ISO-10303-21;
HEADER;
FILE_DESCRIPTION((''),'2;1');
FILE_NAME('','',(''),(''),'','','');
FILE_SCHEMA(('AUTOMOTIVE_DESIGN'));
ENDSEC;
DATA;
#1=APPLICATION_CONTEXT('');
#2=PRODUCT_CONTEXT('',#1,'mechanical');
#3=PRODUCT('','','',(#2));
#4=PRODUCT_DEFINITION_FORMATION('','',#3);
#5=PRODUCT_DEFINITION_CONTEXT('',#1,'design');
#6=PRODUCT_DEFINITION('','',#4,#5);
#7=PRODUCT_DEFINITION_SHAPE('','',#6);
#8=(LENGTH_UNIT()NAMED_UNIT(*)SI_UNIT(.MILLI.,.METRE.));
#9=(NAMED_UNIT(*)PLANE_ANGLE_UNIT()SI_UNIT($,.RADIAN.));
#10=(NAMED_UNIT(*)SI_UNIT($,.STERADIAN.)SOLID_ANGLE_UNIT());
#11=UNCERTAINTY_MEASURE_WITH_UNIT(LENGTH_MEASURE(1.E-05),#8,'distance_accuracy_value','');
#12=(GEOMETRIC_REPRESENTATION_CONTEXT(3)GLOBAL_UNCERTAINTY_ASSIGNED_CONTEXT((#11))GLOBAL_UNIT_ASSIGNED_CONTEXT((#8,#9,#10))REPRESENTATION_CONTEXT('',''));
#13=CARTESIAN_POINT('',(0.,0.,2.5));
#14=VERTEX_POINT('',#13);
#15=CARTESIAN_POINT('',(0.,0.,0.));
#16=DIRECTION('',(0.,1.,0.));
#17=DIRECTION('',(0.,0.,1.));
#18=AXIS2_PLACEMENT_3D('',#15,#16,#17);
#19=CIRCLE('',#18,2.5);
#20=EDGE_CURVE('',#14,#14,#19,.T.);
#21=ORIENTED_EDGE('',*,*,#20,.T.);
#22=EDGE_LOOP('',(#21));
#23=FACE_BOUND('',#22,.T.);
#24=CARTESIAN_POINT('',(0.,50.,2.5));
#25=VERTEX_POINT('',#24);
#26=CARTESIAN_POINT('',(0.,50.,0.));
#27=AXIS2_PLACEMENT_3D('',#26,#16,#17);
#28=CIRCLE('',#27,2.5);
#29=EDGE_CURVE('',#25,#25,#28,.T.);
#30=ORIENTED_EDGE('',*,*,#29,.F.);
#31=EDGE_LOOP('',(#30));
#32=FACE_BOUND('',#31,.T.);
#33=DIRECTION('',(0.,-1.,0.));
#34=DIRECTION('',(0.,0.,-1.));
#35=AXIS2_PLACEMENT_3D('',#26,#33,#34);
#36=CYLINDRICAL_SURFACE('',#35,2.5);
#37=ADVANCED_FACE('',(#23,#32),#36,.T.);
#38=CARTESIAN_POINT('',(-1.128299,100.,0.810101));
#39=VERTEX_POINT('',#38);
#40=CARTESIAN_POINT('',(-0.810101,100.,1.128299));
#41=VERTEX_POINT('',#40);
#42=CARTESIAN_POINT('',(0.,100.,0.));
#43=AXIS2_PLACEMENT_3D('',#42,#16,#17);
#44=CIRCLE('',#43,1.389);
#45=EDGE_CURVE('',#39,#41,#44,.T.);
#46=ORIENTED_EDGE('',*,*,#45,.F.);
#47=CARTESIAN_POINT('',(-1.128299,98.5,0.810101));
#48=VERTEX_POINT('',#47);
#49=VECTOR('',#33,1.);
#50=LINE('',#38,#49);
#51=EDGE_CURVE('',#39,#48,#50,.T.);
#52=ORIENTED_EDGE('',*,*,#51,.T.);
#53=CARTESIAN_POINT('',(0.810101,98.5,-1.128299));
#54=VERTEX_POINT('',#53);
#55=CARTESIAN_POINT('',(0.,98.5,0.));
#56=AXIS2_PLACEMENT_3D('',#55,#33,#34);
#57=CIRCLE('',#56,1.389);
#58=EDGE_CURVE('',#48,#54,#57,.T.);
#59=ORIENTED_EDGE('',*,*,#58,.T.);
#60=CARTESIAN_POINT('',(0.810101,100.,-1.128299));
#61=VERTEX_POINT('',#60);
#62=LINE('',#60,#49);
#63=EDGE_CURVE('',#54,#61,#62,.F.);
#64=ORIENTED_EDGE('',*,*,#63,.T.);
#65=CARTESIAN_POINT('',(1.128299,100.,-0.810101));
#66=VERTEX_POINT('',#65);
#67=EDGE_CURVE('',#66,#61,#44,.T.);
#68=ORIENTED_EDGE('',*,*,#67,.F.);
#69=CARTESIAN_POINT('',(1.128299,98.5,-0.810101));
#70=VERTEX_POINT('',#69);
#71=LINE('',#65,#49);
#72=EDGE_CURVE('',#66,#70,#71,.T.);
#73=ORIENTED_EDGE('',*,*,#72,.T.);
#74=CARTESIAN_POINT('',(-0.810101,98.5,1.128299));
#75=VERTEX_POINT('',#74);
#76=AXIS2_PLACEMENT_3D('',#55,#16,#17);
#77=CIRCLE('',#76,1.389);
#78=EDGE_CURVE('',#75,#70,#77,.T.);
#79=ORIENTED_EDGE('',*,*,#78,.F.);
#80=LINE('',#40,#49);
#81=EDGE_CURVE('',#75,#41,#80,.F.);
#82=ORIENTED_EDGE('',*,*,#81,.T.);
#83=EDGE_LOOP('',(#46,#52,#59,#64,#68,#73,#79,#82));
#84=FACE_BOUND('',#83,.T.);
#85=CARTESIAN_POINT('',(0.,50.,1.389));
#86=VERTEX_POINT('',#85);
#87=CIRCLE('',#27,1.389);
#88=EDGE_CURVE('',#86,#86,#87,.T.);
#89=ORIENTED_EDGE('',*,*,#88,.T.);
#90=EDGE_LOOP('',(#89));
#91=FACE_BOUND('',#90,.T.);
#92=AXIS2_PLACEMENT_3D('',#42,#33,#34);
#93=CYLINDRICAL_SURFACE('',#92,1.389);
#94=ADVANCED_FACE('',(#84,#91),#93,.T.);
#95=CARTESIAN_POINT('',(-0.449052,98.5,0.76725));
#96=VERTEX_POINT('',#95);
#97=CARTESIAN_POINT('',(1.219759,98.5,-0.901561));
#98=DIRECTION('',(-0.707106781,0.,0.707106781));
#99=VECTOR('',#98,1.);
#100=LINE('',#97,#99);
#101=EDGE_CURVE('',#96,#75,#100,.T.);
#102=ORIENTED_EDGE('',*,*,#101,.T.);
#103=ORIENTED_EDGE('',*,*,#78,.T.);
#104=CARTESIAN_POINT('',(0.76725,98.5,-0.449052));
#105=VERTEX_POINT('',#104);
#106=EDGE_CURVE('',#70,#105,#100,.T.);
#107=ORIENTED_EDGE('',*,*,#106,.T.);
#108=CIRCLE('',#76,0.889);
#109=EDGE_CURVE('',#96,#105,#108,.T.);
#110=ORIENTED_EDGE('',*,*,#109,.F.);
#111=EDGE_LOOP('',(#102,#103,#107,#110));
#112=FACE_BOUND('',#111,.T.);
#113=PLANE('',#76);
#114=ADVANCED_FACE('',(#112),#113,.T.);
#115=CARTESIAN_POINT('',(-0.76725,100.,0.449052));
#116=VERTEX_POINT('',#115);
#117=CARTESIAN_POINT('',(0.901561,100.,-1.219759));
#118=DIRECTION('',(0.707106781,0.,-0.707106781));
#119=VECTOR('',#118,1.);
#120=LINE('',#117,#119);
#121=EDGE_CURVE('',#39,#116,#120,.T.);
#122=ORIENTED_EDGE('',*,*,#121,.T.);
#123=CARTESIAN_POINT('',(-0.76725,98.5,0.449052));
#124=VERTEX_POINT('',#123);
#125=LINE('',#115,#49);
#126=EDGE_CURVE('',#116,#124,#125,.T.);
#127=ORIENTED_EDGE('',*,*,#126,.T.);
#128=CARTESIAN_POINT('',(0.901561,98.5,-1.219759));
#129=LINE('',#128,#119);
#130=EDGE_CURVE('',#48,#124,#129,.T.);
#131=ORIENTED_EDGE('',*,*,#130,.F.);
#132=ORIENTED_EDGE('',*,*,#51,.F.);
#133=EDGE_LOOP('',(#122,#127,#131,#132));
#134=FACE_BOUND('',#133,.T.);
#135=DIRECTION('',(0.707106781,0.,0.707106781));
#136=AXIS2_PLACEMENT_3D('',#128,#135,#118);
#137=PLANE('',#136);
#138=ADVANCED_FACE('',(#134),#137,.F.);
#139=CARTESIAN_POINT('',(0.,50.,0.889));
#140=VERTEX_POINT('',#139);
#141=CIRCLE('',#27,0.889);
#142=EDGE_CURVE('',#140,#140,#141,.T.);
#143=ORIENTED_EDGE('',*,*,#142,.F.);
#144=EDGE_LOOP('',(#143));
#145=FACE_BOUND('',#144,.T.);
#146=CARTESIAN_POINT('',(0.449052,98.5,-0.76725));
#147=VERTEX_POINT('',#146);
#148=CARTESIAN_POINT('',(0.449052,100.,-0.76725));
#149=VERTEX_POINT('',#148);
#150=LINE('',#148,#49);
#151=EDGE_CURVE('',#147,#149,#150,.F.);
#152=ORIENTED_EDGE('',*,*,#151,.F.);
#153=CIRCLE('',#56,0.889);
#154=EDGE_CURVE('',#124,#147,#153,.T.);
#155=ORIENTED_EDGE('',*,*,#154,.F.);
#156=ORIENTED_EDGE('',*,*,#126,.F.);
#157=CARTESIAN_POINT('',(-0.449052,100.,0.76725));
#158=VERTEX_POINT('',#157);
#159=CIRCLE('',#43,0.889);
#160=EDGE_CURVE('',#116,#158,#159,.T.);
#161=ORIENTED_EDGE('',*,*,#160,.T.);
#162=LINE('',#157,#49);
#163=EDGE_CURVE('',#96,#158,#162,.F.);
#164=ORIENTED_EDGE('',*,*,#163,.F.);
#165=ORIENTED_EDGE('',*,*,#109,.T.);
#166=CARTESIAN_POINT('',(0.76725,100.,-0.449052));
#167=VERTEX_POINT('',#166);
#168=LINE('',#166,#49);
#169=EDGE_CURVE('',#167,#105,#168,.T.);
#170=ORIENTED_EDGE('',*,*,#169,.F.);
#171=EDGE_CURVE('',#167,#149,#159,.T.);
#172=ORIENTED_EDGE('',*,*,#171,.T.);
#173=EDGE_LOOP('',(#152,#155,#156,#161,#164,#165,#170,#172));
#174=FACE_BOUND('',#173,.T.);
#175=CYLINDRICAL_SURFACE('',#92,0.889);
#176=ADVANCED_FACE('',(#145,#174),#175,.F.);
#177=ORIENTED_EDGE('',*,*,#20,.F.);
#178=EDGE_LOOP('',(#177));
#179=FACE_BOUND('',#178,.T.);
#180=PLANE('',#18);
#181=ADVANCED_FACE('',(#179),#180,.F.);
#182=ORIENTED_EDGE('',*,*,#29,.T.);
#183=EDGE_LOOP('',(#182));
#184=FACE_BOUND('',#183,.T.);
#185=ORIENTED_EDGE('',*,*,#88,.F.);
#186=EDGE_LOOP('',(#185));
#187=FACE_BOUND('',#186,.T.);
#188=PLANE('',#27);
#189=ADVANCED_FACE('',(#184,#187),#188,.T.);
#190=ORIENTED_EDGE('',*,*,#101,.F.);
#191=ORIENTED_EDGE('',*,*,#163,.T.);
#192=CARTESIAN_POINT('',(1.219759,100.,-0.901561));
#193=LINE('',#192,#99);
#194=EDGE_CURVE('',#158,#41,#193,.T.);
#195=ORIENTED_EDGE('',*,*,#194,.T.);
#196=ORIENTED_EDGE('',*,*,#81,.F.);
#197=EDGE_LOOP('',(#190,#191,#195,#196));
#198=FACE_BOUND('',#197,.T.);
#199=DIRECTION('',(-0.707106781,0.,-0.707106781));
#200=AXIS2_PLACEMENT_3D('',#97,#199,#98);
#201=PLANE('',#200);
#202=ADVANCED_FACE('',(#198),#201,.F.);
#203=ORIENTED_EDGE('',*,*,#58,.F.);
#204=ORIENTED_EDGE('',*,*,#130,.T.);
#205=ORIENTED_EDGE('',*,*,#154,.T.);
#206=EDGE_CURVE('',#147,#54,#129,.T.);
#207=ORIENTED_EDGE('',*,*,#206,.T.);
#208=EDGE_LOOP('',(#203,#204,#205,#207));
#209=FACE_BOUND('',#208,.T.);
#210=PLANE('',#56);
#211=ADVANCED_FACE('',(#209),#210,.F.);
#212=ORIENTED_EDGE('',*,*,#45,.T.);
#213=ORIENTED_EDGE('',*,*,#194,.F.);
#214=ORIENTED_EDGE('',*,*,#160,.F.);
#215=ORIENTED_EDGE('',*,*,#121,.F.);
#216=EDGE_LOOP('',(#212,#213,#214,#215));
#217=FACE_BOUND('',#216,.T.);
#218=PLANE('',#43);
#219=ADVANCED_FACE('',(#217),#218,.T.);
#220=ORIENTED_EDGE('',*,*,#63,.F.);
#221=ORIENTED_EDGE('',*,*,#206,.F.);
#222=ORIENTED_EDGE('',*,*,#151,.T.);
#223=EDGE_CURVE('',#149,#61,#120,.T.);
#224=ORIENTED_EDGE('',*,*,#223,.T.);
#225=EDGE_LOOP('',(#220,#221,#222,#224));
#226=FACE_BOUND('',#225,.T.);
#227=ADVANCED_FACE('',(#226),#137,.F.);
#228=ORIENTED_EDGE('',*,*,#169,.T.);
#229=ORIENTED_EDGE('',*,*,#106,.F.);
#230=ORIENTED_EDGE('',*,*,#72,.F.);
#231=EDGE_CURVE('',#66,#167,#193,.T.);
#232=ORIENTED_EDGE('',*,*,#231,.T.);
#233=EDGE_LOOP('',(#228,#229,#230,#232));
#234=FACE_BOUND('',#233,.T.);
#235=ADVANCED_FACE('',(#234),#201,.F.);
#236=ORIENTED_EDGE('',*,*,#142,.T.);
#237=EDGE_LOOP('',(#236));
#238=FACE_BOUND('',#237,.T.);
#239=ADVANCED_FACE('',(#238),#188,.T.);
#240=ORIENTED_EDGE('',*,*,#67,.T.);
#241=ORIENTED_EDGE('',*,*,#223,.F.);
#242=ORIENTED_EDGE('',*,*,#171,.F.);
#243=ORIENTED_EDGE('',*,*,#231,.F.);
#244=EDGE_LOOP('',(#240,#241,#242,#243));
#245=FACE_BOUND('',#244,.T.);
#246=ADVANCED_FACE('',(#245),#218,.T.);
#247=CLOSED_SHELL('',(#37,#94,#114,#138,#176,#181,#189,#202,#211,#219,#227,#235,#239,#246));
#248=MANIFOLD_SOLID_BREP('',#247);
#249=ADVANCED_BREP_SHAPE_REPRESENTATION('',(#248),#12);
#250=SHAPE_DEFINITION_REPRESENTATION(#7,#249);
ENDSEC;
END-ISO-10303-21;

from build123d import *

# Parameters (mm, degrees)
SKETCH1_R           = 1.389
SKETCH1_R_2         = 0.889
BOSS_EXTRUDE1_DEPTH = 100
SKETCH2_R           = 2.5
BOSS_EXTRUDE2_DEPTH = 50
CUT_EXTRUDE1_DEPTH  = 1.5


with BuildPart() as part:
    # Sketch1 → Boss-Extrude1 (new body)
    with BuildSketch(Plane(origin=(0, 0, 0), x_dir=(1, 0, 0), z_dir=(0, 1, 0))):
        Circle(SKETCH1_R)
        Circle(SKETCH1_R_2, mode=Mode.SUBTRACT)
    extrude(amount=BOSS_EXTRUDE1_DEPTH)

    # Sketch2 → Boss-Extrude2 (add)
    with BuildSketch(Plane(origin=(0, 0, 0), x_dir=(1, 0, 0), z_dir=(0, 1, 0))):
        Circle(SKETCH2_R)
    extrude(amount=BOSS_EXTRUDE2_DEPTH)

    # Sketch3 → Cut-Extrude1 (cut)
    with BuildSketch(Plane(origin=(0, 100, 0), x_dir=(1, 0, 0), z_dir=(0, 1, 0))):
        Polygon((-2.121320344, 0), (0, 2.121320344), (0.901561146, 1.219759198), (-1.219759198, -0.901561146), align=None)
        Polygon((2.121320344, 0), (0, -2.121320344), (-0.901561146, -1.219759198), (1.219759198, 0.901561146), align=None)
    extrude(amount=-CUT_EXTRUDE1_DEPTH, mode=Mode.SUBTRACT)


solid = part.part
